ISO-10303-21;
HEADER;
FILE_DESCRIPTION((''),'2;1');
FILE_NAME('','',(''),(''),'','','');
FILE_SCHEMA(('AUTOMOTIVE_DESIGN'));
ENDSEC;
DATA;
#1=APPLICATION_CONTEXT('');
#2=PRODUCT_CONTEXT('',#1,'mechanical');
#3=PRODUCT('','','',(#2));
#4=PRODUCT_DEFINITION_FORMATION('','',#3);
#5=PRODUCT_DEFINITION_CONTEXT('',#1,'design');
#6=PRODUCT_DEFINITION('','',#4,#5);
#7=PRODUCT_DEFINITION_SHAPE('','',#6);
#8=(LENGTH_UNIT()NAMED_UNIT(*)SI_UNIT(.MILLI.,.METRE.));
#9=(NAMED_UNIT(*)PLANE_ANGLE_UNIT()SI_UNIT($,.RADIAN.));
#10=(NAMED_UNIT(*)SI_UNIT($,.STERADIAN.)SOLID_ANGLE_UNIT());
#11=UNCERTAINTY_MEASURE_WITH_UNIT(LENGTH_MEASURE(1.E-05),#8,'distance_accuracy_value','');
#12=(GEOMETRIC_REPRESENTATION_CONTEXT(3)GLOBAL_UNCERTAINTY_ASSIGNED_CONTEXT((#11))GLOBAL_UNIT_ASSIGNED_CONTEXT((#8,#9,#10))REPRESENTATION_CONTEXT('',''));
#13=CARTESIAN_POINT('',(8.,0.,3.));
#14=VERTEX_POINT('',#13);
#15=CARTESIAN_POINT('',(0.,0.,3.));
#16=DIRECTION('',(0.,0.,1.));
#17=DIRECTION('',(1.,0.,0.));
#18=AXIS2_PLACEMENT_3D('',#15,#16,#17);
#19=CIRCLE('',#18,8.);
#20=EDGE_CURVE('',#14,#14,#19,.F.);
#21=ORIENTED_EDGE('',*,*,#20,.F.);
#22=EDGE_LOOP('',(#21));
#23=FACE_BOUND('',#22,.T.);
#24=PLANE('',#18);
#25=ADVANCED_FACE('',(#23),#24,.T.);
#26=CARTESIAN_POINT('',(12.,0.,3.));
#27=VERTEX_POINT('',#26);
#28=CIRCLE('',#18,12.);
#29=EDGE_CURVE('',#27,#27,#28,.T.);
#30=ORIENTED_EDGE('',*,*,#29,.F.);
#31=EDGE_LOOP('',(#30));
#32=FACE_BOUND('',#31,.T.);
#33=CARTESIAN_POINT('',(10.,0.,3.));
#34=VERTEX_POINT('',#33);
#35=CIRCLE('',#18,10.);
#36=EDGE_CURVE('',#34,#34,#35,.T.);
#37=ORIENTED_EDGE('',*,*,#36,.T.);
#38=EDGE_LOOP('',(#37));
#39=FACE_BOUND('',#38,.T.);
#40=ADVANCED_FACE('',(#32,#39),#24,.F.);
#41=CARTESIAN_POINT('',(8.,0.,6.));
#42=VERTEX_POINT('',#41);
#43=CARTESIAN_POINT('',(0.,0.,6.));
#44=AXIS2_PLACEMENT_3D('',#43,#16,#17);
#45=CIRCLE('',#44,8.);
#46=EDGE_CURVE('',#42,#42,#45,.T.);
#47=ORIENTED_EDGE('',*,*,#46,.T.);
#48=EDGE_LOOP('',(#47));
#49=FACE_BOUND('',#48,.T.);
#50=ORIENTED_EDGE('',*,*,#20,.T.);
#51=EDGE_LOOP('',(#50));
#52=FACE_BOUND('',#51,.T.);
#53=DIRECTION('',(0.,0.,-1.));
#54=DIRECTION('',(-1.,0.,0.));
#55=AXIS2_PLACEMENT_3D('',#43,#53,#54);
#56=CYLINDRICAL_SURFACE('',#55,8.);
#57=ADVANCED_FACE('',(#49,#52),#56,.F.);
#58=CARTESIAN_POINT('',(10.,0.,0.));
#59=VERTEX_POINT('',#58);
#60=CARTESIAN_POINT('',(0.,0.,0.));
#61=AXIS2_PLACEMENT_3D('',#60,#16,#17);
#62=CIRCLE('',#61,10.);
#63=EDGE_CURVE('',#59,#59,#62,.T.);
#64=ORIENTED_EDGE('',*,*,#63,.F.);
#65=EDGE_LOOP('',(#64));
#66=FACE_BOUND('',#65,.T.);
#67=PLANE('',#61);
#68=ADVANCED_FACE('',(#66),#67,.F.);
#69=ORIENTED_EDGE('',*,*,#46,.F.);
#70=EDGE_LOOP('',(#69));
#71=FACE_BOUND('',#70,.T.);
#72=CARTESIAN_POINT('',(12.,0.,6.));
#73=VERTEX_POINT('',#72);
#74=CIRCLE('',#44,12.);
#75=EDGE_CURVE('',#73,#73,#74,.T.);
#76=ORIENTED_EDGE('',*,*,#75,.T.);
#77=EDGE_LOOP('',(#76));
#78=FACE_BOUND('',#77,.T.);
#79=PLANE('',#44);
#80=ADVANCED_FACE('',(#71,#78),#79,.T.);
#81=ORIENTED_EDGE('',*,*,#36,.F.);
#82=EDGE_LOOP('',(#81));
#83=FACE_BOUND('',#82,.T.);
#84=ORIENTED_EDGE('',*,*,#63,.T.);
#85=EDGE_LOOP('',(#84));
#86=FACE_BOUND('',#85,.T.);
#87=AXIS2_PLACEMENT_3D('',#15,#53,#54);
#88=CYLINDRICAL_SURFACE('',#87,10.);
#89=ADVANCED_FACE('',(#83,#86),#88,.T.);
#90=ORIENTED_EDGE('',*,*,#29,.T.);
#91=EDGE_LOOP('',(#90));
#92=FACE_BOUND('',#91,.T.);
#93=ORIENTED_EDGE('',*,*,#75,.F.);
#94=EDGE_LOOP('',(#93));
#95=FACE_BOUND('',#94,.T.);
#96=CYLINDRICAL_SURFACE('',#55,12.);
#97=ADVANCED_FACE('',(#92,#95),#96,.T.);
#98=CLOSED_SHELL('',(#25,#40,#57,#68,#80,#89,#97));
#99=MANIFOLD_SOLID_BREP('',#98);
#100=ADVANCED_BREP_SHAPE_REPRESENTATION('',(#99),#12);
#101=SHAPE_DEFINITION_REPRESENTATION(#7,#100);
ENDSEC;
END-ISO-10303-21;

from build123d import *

# Parameters (mm, degrees)
SKETCH1_R           = 10
BOSS_EXTRUDE1_DEPTH = 3
SKETCH2_R           = 12
SKETCH2_R_2         = 8
BOSS_EXTRUDE2_DEPTH = 3


with BuildPart() as part:
    # Sketch1 → Boss-Extrude1 (new body)
    with BuildSketch(Plane.XY):
        Circle(SKETCH1_R)
    extrude(amount=BOSS_EXTRUDE1_DEPTH)

    # Sketch2 → Boss-Extrude2 (add)
    with BuildSketch(Plane.XY.offset(3)):
        Circle(SKETCH2_R)
        Circle(SKETCH2_R_2, mode=Mode.SUBTRACT)
    extrude(amount=BOSS_EXTRUDE2_DEPTH)


solid = part.part
